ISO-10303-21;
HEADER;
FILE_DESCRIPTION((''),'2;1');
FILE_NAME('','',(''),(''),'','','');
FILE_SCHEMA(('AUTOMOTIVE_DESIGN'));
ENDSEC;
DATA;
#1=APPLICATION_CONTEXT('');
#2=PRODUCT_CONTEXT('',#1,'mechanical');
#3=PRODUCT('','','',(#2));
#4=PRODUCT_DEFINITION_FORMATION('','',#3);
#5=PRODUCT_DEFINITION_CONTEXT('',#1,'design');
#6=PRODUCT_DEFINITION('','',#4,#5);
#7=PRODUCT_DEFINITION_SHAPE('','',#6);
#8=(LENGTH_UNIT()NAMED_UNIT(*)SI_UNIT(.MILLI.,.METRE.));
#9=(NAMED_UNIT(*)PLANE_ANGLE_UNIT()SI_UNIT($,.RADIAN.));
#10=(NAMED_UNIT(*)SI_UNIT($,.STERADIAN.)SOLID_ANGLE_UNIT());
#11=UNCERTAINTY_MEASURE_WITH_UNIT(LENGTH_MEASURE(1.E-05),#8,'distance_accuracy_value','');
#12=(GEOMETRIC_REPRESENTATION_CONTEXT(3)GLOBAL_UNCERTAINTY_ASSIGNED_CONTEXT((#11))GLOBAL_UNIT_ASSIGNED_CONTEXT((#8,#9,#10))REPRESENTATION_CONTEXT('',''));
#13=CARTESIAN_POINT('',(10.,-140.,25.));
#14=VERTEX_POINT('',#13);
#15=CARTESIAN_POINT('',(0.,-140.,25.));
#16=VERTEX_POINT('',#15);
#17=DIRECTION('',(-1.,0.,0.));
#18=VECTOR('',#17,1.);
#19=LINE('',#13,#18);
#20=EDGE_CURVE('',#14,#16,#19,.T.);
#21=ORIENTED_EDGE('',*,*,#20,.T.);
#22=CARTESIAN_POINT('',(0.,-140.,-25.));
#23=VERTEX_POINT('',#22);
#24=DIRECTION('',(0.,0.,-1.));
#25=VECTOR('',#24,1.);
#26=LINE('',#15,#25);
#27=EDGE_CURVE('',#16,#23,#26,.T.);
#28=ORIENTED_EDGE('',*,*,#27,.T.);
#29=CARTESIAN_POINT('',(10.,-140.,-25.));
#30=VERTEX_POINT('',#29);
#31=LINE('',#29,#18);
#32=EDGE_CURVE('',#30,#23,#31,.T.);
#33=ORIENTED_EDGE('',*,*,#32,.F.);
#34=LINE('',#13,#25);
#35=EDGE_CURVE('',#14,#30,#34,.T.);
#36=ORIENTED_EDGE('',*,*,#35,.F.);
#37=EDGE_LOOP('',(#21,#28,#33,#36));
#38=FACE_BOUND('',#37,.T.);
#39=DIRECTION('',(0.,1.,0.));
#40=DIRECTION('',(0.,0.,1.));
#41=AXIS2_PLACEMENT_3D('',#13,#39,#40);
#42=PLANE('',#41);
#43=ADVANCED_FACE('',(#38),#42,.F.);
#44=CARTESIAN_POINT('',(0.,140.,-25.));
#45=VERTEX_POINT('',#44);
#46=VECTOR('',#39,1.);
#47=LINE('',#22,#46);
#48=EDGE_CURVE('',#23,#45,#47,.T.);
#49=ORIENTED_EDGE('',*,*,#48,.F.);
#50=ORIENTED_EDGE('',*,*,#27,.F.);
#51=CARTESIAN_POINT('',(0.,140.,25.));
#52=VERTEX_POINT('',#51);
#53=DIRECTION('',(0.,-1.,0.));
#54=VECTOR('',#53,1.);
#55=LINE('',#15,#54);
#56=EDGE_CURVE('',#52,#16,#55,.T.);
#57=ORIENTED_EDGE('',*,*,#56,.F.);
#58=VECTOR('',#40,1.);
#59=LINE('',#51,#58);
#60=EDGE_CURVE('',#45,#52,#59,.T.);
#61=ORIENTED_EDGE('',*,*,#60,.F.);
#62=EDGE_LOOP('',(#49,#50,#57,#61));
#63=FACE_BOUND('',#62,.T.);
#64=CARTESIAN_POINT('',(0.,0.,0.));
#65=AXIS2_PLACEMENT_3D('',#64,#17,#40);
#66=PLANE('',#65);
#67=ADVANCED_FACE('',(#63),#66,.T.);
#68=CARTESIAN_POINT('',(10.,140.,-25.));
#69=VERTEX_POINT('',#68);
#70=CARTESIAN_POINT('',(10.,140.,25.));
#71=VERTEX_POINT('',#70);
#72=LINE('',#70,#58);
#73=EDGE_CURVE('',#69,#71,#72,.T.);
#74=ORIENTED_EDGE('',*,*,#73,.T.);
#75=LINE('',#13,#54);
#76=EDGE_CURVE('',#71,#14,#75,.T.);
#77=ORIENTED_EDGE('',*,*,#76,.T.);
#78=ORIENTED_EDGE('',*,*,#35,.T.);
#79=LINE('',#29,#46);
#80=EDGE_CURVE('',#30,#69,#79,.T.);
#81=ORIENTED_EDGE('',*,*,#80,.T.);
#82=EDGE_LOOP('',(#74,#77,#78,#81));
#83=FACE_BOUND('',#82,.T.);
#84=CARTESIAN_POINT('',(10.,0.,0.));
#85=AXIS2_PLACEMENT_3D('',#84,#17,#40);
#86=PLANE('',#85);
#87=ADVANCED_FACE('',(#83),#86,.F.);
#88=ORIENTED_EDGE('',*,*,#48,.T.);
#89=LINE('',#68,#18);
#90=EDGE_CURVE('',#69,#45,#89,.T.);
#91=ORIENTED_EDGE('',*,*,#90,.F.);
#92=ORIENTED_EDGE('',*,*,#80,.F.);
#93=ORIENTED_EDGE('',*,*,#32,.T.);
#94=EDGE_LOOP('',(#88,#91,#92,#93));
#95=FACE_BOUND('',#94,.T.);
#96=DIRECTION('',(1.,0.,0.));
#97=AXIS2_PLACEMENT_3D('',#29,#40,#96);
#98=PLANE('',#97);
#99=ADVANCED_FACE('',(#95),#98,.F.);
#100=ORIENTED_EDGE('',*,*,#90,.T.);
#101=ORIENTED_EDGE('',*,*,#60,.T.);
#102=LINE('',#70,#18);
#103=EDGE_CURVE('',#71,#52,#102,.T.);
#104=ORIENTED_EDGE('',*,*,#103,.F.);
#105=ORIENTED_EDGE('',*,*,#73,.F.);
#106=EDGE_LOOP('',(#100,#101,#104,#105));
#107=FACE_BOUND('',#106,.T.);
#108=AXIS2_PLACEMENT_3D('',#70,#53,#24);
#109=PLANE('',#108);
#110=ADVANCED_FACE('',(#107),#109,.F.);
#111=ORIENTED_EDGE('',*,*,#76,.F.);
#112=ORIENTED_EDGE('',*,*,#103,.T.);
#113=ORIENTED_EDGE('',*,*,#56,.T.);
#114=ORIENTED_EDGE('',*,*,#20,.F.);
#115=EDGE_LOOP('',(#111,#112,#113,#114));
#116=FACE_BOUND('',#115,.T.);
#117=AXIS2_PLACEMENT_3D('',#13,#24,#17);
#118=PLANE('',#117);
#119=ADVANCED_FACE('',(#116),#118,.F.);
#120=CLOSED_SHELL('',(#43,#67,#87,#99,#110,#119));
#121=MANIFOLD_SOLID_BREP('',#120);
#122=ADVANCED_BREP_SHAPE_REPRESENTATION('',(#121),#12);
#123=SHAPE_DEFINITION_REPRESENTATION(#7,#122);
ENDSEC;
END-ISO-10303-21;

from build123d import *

# Parameters (mm, degrees)
ESQUISSE1_W        = 50
ESQUISSE1_H        = 280
BOSS_EXTRU_1_DEPTH = 10


with BuildPart() as part:
    # Esquisse1 → Boss.-Extru.1 (new body)
    with BuildSketch(Plane(origin=(0, 0, 0), x_dir=(0, 0, -1), z_dir=(1, 0, 0))):
        Rectangle(ESQUISSE1_W, ESQUISSE1_H)
    extrude(amount=BOSS_EXTRU_1_DEPTH)


solid = part.part
